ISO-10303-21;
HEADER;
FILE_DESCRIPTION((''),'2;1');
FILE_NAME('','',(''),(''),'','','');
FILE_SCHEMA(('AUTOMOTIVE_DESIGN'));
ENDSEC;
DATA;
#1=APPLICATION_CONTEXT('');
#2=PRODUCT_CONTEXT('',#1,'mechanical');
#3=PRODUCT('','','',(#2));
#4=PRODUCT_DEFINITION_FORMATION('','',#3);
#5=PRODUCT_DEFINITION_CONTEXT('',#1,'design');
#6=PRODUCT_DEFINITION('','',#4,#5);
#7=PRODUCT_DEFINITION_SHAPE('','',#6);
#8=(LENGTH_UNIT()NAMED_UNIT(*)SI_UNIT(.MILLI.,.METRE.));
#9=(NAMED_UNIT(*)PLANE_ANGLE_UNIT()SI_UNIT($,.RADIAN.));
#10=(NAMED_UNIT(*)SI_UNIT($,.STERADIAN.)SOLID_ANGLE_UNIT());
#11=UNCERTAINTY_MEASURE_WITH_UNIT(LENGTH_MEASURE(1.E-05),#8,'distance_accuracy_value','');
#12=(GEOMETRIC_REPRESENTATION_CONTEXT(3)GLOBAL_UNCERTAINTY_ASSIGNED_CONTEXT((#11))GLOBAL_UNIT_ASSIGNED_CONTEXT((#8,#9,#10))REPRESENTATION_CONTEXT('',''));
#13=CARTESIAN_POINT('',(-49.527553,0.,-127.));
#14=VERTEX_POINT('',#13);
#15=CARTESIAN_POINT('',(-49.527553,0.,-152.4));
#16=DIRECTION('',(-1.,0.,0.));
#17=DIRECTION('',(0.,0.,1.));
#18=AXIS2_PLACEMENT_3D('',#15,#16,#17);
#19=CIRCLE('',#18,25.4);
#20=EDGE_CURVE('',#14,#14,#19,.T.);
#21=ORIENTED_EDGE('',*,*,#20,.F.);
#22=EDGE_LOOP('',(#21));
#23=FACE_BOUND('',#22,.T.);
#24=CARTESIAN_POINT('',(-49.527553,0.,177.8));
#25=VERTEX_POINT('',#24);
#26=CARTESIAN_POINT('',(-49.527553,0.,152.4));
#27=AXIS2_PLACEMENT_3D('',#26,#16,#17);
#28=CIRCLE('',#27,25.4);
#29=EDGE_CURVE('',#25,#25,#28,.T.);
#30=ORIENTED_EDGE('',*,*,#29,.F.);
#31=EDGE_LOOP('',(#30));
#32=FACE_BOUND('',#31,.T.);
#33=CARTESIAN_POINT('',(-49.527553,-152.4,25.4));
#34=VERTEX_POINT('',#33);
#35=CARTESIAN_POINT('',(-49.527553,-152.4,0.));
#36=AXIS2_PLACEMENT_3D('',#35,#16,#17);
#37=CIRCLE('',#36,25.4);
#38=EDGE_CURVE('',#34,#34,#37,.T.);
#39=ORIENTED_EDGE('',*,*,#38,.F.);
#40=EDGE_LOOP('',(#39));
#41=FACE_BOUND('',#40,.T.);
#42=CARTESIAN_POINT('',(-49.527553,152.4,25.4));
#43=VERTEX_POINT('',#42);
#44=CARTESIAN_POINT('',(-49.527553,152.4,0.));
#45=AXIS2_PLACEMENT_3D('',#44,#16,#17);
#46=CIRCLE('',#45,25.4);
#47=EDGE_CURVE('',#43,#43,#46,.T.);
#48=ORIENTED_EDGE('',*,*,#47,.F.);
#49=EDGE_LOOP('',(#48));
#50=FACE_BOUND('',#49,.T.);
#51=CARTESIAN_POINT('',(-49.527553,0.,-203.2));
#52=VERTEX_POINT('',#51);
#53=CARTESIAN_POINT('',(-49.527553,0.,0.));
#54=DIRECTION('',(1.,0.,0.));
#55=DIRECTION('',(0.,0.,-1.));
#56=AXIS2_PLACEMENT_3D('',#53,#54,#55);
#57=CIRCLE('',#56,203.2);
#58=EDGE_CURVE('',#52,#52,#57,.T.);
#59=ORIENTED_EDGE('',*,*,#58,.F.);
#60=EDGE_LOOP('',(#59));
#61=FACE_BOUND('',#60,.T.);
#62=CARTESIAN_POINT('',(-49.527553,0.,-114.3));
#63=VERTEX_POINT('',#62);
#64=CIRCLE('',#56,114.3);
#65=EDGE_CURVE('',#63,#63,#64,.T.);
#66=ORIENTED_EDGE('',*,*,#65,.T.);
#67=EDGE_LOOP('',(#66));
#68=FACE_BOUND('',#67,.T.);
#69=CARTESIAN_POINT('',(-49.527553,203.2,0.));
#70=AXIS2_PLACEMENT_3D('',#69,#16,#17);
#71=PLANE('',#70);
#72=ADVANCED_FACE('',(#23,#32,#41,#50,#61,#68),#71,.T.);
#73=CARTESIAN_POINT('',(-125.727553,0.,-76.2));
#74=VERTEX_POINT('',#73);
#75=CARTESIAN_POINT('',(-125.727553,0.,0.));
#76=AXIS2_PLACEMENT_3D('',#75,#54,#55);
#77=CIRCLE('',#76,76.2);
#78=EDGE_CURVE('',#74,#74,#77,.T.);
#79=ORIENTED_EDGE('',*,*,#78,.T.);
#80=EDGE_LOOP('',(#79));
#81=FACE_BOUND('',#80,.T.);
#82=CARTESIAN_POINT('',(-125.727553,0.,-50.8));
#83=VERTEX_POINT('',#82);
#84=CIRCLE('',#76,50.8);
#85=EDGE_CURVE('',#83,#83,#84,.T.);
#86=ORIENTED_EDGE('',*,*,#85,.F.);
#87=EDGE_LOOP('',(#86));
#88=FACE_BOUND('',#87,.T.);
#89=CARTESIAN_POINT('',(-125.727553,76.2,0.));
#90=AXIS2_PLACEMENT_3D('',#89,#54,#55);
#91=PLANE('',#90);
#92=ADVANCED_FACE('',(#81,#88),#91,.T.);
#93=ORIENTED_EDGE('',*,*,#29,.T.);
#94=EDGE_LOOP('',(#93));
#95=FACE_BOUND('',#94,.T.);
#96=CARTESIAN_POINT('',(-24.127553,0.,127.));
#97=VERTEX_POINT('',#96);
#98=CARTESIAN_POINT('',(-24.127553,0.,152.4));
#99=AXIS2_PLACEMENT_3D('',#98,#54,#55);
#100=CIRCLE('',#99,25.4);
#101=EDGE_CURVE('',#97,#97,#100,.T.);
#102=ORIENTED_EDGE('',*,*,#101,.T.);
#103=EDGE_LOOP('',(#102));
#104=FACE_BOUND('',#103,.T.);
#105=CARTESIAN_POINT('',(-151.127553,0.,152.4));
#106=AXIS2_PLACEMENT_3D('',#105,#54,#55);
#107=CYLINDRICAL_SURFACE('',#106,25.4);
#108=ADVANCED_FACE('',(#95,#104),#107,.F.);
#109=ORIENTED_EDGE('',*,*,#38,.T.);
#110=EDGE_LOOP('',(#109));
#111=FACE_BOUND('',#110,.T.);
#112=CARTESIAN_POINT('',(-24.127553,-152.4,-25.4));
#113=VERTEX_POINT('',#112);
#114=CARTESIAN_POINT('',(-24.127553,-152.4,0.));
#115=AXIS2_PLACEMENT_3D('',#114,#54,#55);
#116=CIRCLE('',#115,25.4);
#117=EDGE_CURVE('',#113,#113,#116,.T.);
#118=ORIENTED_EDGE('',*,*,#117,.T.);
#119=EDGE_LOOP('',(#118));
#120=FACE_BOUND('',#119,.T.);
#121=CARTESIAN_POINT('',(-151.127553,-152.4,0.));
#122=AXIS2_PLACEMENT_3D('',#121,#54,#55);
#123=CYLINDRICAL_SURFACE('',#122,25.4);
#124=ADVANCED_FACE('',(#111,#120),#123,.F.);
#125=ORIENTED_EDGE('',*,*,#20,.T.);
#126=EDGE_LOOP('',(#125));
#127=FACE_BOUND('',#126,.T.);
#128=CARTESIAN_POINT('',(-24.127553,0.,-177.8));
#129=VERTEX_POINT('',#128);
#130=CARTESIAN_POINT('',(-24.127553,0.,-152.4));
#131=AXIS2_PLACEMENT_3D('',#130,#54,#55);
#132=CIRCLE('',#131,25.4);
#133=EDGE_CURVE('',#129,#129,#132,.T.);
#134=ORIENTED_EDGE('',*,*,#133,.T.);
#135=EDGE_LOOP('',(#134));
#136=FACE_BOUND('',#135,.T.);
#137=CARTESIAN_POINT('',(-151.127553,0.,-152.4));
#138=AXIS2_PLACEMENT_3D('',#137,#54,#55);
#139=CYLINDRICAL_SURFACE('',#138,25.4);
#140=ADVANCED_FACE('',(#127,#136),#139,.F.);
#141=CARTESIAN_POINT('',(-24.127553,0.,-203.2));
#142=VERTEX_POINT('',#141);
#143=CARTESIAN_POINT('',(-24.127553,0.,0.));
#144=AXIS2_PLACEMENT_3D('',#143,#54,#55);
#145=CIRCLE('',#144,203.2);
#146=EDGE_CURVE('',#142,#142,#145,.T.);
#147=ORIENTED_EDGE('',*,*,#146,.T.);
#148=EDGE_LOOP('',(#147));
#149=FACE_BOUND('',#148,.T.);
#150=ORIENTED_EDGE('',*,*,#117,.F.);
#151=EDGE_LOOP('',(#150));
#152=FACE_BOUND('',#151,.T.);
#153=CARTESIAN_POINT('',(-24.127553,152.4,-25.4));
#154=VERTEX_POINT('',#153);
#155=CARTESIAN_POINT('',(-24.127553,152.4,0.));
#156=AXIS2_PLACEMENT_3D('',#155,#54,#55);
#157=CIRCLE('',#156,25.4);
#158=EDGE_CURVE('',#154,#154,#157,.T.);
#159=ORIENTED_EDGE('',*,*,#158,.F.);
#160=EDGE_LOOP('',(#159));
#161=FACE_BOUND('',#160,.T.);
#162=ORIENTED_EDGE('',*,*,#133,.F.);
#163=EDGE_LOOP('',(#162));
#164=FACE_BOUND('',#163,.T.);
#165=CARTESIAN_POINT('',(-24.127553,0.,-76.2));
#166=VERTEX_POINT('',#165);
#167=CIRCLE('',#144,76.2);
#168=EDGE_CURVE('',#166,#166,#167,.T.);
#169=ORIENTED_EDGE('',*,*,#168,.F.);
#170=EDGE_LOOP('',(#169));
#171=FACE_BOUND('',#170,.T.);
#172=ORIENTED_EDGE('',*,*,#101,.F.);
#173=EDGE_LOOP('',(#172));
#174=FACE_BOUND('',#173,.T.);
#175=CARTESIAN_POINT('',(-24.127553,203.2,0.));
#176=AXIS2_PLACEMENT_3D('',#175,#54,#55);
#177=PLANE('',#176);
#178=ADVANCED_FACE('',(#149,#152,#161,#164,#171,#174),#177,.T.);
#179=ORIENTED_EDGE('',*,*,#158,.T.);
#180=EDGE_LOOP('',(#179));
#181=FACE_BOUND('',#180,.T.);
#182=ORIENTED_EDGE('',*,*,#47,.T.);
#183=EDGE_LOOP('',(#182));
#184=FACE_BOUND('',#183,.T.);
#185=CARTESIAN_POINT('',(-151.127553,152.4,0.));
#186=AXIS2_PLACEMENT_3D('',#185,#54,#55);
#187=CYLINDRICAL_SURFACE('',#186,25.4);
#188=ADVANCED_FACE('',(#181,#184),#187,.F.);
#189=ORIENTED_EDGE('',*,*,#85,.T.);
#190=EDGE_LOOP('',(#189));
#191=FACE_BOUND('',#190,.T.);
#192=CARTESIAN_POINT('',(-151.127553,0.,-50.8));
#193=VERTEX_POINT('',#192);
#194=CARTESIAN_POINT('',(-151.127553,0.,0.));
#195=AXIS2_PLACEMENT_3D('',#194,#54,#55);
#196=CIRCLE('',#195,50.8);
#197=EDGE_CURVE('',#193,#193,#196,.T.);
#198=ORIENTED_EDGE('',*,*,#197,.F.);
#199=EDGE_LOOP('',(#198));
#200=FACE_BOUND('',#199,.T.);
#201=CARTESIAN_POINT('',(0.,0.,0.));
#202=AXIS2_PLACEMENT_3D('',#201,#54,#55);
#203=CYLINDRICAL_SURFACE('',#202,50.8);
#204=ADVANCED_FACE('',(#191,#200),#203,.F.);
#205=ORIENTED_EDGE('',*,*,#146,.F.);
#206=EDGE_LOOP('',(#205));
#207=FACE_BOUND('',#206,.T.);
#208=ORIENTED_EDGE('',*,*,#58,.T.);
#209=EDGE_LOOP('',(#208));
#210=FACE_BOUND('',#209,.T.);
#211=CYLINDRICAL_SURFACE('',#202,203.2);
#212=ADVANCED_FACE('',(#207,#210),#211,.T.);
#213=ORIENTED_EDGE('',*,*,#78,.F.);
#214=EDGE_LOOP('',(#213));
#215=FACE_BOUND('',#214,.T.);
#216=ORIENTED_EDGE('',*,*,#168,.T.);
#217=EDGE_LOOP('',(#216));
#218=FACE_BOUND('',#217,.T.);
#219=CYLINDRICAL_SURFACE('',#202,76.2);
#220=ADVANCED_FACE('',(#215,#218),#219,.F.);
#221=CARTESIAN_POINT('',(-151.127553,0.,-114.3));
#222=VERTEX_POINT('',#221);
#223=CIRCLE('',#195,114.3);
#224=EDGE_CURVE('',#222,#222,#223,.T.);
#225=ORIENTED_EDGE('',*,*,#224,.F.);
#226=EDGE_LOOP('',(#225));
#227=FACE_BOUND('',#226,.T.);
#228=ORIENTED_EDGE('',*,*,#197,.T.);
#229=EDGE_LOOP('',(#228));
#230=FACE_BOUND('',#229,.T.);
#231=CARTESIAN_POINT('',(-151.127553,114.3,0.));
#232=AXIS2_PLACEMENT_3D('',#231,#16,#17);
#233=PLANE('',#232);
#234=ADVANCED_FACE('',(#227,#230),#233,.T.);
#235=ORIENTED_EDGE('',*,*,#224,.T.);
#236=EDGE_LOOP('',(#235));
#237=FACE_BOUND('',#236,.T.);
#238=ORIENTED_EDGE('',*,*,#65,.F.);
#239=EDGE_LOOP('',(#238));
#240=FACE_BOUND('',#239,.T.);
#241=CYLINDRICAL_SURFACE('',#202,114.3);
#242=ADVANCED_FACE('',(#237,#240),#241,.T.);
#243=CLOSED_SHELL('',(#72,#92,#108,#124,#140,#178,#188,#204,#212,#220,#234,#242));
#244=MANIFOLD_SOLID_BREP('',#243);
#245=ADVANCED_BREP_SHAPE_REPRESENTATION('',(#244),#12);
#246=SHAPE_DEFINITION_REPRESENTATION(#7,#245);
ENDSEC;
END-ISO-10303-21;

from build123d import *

# Parameters (mm, degrees)
SKETCH2_R          = 25.4
CUT_EXTRUDE1_DEPTH = 128


with BuildPart() as part:
    # Sketch1 → Revolve1 (revolve)
    with BuildSketch(Plane.XY):
        Polygon((-151.127552987, 114.3), (-49.527552987, 114.3), (-49.527552987, 203.2), (-24.127552987, 203.2), (-24.127552987, 76.2), (-125.727552987, 76.2), (-125.727552987, 50.8), (-151.127552987, 50.8), align=None)
    revolve(axis=Axis((0, 0, 0), (-1, 0, 0)))

    # Sketch2 → Cut-Extrude1 (cut, through all)
    with BuildSketch(Plane(origin=(-24.127552987, 0, 0), x_dir=(0, 0, -1), z_dir=(1, 0, 0))):
        with Locations((0, 152.4)):
            Circle(SKETCH2_R)
        with Locations((-152.4, 0)):
            Circle(SKETCH2_R)
        with Locations((152.4, 0)):
            Circle(SKETCH2_R)
        with Locations((0, -152.4)):
            Circle(SKETCH2_R)
    extrude(amount=-CUT_EXTRUDE1_DEPTH, mode=Mode.SUBTRACT)


solid = part.part
